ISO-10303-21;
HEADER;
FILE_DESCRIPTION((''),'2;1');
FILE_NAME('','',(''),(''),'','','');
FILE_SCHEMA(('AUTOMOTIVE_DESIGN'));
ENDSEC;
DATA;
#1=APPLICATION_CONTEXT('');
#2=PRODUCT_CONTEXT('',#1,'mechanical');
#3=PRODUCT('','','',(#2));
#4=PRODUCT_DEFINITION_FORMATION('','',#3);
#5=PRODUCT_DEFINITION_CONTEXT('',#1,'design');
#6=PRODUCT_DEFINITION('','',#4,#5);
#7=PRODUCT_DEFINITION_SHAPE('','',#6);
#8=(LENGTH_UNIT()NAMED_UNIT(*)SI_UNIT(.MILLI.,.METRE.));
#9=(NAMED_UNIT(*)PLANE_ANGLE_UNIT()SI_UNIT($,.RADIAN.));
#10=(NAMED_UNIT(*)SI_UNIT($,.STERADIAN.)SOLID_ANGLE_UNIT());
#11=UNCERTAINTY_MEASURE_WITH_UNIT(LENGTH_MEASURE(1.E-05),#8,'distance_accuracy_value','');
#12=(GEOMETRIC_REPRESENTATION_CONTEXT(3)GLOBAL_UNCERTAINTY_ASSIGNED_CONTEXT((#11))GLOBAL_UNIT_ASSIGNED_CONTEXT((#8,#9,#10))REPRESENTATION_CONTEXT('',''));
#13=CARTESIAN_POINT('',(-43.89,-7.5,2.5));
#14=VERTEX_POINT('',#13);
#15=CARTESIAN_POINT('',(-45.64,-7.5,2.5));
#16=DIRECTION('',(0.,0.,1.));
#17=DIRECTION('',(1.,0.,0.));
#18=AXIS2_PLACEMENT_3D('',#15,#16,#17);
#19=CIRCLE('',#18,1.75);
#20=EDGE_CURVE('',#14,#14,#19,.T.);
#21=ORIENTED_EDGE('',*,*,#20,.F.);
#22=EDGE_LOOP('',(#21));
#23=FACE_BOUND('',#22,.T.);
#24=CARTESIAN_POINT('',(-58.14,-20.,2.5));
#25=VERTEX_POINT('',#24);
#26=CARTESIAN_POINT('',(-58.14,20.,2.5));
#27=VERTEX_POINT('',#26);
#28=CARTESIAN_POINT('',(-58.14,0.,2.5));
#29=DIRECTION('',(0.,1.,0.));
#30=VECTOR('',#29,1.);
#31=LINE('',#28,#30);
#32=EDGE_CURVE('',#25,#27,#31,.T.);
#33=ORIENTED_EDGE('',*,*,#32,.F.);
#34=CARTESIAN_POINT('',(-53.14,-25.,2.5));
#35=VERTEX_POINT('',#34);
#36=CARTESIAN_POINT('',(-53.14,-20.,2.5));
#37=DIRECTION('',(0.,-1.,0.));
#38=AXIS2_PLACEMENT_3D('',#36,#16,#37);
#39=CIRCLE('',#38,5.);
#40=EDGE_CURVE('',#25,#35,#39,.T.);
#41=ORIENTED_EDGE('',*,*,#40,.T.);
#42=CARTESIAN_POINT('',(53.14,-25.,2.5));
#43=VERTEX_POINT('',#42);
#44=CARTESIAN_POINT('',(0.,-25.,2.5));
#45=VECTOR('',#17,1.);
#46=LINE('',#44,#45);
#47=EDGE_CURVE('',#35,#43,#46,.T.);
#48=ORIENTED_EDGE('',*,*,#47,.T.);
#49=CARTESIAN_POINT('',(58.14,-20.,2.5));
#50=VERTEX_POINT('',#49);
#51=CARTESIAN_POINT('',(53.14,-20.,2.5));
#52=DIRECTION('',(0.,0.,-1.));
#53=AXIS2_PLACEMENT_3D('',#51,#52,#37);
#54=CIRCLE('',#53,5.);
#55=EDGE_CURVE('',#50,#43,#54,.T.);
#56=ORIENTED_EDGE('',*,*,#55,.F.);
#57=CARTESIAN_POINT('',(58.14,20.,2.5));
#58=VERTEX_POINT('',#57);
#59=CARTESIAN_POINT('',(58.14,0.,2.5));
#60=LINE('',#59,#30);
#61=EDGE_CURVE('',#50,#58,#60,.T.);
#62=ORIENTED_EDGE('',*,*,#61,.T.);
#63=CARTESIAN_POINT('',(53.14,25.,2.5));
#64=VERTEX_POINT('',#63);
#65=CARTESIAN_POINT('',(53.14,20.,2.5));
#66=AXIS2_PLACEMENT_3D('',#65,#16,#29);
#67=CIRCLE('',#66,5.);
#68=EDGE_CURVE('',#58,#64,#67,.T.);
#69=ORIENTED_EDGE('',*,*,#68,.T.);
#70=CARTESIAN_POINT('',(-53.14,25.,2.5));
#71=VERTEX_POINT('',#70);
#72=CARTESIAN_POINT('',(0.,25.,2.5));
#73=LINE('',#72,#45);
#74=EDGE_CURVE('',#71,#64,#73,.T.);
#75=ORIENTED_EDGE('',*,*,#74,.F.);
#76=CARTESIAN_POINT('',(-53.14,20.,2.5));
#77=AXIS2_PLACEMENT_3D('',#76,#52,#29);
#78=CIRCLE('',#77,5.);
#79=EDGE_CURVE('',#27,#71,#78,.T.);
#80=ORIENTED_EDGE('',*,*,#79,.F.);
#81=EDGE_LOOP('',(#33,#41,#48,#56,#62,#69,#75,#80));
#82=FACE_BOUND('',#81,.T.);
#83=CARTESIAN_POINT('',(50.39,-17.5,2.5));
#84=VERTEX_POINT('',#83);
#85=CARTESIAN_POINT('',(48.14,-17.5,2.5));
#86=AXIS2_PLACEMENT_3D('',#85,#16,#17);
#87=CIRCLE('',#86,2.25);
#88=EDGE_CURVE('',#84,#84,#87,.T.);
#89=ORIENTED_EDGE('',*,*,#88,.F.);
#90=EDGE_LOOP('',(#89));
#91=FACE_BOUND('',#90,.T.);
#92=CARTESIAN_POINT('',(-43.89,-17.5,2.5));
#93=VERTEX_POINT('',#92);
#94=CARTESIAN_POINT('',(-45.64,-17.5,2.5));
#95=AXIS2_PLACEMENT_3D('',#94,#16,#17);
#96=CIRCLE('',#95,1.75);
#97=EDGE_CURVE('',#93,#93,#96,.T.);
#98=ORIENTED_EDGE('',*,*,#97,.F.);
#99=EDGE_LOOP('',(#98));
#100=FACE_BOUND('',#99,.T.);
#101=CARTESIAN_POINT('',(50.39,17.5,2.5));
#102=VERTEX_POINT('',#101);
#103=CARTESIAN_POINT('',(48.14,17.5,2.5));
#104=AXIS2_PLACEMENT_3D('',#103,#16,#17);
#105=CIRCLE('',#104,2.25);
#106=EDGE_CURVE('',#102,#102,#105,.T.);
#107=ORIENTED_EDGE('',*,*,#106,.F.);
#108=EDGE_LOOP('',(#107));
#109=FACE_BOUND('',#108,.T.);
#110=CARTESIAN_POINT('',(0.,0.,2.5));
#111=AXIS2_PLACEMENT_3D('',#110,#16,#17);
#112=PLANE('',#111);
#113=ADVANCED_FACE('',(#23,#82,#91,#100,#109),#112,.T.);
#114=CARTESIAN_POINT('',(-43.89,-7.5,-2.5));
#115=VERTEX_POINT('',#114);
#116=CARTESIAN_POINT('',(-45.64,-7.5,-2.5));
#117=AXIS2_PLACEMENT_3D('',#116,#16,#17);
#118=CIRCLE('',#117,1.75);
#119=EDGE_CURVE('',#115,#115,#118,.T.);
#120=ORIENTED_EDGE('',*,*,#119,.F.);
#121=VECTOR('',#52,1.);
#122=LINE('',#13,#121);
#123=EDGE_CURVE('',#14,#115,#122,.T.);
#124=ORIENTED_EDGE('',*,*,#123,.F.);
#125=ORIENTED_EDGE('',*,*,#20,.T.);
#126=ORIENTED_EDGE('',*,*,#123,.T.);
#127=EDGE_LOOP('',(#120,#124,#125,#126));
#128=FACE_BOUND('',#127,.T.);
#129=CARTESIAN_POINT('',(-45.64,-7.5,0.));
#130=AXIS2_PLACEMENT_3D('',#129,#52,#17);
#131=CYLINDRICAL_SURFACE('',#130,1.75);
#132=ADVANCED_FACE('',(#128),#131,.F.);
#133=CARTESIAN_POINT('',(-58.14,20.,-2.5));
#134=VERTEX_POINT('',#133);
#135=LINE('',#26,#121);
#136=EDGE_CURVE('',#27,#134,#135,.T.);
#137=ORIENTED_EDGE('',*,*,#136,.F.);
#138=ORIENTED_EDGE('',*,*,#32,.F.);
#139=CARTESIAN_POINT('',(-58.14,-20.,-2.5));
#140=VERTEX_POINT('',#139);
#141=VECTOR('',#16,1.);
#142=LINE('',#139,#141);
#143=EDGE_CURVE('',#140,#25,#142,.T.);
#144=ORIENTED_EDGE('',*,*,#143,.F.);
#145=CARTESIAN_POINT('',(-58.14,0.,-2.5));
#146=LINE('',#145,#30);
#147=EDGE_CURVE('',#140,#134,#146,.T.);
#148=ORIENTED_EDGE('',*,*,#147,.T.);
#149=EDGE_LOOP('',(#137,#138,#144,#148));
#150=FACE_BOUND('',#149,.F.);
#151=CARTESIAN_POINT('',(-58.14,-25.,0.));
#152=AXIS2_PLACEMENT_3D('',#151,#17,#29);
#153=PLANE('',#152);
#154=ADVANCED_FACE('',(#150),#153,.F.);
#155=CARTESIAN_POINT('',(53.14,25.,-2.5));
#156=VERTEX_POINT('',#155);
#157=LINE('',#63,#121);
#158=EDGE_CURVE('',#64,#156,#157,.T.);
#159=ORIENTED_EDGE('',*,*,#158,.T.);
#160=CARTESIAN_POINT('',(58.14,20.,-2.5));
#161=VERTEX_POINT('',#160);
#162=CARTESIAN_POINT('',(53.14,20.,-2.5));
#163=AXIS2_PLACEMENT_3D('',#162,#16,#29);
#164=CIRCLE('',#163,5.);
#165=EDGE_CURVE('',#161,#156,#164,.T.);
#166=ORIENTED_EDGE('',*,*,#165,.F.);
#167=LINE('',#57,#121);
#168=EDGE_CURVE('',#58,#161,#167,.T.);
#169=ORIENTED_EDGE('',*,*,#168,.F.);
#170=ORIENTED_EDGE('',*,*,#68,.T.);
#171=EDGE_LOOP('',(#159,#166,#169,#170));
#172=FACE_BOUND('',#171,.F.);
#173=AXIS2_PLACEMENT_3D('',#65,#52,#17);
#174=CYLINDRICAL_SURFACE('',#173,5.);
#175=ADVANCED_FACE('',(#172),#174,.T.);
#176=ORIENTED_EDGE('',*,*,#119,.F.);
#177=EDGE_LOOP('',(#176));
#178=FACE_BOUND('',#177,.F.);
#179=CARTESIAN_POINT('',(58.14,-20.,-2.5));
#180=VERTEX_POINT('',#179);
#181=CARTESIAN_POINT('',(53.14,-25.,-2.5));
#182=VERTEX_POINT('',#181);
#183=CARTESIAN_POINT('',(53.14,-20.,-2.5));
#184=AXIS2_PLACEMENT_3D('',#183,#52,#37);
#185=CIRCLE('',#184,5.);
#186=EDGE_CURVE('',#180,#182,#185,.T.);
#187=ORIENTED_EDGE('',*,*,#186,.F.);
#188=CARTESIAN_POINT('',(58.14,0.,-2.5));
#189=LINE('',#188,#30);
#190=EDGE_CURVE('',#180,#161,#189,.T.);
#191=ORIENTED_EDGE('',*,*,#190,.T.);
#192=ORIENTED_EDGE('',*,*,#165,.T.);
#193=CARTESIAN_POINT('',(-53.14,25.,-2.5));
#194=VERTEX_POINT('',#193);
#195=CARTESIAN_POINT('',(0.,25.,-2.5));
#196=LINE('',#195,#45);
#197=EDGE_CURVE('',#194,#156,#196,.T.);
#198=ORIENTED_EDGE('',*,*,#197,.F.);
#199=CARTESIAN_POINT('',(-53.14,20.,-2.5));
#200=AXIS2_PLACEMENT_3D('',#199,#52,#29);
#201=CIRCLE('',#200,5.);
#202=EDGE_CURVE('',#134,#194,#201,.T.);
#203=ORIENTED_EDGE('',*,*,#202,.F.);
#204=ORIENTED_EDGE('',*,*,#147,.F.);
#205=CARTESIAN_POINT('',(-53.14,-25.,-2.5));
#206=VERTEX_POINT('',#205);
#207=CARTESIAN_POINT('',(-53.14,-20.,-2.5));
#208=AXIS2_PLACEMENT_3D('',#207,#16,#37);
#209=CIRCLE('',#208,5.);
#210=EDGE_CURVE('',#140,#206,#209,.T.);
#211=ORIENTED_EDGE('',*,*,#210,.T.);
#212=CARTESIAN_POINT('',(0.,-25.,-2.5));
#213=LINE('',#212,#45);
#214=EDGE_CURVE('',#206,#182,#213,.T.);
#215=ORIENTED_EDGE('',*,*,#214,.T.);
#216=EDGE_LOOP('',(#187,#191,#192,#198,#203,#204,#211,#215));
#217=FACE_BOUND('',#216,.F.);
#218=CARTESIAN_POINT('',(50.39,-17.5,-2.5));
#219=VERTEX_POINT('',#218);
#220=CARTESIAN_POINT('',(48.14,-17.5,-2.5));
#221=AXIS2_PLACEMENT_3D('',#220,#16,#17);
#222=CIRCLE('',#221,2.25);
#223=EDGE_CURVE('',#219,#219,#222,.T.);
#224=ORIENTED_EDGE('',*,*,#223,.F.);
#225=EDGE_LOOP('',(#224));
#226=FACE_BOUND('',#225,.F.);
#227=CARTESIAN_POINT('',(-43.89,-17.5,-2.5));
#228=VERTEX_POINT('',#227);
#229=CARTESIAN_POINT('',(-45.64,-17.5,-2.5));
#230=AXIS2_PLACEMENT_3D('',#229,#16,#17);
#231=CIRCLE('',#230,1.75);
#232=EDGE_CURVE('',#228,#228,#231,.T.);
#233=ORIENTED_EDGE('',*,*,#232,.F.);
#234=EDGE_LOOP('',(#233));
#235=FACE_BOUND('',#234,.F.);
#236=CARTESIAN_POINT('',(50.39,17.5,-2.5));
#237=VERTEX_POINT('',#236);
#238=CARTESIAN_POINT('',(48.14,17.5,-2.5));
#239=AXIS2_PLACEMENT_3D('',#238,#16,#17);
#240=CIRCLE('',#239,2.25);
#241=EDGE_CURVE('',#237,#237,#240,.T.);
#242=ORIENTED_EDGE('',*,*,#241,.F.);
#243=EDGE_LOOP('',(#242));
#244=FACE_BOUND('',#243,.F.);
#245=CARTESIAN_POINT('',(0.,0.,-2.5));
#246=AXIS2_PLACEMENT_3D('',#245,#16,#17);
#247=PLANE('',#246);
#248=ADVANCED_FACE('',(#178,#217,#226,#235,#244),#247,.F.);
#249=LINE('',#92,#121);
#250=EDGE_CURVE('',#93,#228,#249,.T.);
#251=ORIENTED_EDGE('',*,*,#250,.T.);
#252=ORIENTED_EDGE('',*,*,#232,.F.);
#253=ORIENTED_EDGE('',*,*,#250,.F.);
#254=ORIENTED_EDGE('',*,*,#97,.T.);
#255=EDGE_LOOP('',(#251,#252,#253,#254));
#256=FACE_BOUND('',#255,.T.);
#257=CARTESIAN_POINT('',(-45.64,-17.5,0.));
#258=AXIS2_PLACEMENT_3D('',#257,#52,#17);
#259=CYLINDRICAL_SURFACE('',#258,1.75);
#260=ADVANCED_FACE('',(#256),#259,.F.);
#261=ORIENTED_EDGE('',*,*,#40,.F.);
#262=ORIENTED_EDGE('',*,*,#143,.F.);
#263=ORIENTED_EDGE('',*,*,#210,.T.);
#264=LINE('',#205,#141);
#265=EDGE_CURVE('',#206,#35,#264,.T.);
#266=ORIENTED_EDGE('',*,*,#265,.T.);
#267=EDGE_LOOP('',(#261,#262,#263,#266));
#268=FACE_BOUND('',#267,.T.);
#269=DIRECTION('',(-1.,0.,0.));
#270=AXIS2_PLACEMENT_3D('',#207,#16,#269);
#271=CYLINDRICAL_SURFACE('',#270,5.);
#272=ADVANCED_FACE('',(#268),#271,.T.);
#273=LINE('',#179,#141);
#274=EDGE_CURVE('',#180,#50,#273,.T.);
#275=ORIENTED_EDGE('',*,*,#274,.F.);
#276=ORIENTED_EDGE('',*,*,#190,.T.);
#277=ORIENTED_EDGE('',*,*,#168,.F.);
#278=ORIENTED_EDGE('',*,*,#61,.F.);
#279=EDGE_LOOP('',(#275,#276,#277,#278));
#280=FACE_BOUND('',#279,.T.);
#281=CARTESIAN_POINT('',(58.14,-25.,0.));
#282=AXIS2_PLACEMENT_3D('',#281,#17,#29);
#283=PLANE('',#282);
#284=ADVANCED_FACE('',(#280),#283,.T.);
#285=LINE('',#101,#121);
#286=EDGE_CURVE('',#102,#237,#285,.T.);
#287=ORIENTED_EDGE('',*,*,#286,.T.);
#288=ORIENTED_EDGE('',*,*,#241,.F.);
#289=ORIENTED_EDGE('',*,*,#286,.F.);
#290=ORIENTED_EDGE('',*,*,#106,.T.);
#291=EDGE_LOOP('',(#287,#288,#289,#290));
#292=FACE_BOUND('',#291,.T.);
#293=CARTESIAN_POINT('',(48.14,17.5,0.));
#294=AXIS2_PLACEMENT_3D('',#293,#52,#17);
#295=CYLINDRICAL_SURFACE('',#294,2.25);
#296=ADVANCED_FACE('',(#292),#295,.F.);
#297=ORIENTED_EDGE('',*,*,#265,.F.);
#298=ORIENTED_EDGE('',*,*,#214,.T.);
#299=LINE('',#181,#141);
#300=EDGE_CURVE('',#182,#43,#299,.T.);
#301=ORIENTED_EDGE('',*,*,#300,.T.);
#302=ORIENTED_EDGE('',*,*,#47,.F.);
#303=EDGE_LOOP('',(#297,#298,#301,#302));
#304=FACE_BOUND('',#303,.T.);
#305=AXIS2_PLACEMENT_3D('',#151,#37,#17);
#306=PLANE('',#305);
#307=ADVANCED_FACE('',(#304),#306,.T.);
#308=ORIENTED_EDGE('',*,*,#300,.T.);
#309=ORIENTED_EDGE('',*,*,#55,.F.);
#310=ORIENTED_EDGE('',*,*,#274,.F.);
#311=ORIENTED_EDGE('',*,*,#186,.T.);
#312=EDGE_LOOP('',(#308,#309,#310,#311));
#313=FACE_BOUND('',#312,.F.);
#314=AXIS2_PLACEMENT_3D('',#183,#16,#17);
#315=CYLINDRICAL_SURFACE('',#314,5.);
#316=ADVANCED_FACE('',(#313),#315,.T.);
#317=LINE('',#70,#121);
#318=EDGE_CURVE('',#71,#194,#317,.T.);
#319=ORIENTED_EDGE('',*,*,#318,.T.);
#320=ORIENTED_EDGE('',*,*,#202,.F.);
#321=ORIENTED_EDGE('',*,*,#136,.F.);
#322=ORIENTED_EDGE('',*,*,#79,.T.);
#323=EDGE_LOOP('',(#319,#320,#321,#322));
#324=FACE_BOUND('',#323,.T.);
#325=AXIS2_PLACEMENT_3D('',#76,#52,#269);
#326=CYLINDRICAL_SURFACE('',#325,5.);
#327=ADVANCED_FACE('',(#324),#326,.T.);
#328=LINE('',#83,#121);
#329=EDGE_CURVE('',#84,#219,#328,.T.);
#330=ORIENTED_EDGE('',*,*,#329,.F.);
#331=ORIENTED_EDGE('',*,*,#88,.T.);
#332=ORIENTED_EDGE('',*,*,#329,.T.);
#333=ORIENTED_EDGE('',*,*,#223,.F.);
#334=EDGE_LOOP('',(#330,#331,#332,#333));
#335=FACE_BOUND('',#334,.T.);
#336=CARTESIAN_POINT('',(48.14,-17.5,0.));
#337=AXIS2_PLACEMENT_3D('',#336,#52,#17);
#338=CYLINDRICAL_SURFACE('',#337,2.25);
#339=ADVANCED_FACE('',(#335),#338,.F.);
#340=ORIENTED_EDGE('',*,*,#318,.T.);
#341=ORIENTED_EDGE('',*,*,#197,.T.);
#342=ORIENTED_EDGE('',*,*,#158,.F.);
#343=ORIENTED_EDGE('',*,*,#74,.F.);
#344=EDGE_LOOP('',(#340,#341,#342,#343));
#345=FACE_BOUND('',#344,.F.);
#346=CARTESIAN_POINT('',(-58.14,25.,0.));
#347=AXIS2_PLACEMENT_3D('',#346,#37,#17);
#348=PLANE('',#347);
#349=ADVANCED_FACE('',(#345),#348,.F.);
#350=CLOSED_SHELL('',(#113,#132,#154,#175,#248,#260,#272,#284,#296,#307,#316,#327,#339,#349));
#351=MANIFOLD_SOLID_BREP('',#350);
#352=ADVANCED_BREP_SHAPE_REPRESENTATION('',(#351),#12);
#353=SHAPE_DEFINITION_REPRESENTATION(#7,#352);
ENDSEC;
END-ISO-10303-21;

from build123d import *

# Parameters (mm, degrees)
F0_W     = 116.28
F0_H     = 50
F0_R     = 1.75
F0_R_2   = 2.25
F1_DEPTH = 2.5
F2_R     = 5


with BuildPart() as f1:
    # F0 (on Top) → F1 (new body, symmetric)
    with BuildSketch(Plane.XY):
        Rectangle(F0_W, F0_H)
        with Locations((-45.64, -17.5)):
            Circle(F0_R, mode=Mode.SUBTRACT)
        with Locations((-45.64, -7.5)):
            Circle(F0_R, mode=Mode.SUBTRACT)
        with Locations((48.14, -17.5)):
            Circle(F0_R_2, mode=Mode.SUBTRACT)
        with Locations((48.14, 17.5)):
            Circle(F0_R_2, mode=Mode.SUBTRACT)
    extrude(amount=F1_DEPTH, both=True)

    # F2
    f2_edges = [f1.edges().sort_by_distance(p)[0] for p in [
        (-58.14, -25, 0),
        (58.14, -25, 0),
        (58.14, 25, 0),
        (-58.14, 25, 0),
    ]]
    fillet(f2_edges, radius=F2_R)


solid = f1.part
